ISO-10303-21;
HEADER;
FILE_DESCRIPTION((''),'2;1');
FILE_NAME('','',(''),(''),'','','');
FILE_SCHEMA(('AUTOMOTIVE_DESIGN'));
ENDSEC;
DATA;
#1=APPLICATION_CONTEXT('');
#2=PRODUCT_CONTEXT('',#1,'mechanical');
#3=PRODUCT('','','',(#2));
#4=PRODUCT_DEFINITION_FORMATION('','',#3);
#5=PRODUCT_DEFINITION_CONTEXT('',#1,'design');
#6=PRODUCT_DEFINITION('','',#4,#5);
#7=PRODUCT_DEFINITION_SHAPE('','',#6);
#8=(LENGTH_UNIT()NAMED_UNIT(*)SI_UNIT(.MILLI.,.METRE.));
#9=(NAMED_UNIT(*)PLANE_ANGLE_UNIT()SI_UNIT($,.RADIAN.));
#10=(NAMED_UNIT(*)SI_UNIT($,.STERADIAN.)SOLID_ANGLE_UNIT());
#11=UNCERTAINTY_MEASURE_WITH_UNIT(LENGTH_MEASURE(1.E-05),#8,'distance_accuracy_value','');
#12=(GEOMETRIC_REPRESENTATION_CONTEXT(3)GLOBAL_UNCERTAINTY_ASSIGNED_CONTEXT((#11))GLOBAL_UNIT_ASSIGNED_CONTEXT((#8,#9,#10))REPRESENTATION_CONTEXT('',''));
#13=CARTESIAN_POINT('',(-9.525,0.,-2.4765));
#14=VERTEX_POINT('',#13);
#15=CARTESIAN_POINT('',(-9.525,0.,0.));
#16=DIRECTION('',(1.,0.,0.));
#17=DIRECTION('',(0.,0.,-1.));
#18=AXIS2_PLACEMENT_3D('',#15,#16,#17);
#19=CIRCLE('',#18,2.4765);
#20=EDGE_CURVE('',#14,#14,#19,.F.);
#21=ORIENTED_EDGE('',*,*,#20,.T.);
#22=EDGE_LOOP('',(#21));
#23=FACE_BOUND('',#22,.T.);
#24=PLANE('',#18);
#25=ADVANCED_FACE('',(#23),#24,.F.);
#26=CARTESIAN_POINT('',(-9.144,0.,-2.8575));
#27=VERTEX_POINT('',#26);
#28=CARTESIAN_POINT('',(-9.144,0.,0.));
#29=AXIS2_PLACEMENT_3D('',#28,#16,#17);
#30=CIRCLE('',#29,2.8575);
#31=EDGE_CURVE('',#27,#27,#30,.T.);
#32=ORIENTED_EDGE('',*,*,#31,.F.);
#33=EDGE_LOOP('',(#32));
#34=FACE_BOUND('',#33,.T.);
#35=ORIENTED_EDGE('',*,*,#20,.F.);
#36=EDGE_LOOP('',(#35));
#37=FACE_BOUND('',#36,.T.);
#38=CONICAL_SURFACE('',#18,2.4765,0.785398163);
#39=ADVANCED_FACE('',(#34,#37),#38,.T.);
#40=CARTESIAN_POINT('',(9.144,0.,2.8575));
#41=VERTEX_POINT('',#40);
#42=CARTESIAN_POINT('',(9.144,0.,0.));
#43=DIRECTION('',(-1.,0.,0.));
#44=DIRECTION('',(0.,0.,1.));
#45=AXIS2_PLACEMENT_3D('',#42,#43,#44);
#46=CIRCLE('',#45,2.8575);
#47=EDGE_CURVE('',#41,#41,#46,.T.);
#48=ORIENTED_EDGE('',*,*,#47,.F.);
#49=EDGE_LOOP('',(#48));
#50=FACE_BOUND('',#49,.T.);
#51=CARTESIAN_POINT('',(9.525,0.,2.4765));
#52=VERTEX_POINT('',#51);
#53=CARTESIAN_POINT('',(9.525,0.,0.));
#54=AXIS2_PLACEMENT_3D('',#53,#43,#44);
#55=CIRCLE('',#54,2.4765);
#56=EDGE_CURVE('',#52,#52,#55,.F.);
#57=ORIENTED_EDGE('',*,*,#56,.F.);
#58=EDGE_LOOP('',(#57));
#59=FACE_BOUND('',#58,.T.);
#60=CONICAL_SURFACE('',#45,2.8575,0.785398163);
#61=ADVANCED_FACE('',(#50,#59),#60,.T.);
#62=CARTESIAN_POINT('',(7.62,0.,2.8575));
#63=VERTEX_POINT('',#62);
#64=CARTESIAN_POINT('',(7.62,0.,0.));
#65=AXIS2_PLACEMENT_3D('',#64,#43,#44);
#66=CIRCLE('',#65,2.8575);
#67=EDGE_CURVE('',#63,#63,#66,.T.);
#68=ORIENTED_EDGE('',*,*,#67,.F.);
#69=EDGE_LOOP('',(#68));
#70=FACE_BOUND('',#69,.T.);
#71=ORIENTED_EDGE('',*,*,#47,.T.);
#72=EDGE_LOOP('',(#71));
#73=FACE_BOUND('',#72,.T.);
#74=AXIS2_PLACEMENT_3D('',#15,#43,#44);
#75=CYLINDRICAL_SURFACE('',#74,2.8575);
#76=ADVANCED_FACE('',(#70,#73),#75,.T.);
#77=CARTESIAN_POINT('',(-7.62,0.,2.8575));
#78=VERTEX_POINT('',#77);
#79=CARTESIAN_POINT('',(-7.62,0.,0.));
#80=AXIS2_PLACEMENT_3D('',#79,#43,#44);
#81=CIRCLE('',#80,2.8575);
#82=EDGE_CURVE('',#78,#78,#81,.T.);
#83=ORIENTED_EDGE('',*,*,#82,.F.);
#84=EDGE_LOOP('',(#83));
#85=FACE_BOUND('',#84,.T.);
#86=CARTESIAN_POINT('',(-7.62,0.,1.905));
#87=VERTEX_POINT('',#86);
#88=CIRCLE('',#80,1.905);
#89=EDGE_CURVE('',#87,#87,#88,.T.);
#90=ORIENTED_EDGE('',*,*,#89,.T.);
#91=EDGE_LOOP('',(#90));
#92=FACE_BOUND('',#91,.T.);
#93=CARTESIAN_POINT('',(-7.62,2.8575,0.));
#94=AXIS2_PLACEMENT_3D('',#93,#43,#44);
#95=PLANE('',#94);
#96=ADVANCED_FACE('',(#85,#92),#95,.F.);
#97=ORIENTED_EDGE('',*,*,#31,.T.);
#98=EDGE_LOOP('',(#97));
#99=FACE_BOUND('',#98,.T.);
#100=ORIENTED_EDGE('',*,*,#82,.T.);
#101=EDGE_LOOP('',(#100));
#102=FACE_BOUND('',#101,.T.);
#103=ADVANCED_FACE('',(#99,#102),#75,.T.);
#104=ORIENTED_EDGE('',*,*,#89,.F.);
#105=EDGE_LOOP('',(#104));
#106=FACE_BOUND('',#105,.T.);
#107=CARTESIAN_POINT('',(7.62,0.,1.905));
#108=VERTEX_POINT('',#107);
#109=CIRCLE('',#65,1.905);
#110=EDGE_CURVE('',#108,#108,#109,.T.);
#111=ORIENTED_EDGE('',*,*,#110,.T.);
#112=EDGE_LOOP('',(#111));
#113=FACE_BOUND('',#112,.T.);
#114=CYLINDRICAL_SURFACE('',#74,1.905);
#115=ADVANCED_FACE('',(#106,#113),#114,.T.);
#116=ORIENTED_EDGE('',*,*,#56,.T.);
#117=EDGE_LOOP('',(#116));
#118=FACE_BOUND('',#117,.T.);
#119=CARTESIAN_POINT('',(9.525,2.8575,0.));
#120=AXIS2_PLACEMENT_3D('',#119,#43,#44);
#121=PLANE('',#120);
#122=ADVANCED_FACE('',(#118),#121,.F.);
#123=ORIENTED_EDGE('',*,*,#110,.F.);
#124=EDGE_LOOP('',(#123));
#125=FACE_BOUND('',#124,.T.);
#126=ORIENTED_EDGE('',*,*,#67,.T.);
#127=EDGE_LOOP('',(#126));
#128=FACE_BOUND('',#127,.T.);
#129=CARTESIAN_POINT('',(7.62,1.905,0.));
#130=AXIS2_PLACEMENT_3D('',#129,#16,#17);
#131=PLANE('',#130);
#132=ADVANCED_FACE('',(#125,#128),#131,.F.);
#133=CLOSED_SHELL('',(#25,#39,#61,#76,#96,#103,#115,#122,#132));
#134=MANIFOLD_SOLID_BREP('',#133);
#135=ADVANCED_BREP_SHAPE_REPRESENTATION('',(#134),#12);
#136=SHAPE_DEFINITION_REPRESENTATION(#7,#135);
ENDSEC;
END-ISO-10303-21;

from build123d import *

# Parameters (mm, degrees)
CHAMFER1_SIZE = 0.254
SCALE1_SCALE  = 1.5


with BuildPart() as part:
    # Sketch1 → Revolve1 (revolve)
    with BuildSketch(Plane.XY, mode=Mode.PRIVATE) as revolve1_sk:
        Polygon((-6.35, 0), (-6.35, 1.905), (-5.08, 1.905), (-5.08, 1.27), (5.08, 1.27), (5.08, 1.905), (6.35, 1.905), (6.35, 0), align=None)
    revolve(revolve1_sk.sketch.rotate(Axis((-6.35, 0, 0), (1, 0, 0)), 90), axis=Axis((-6.35, 0, 0), (1, 0, 0)))

    # Chamfer1
    chamfer1_edges = [part.edges().sort_by_distance(p)[0] for p in [
        (6.35, 0, -1.905),
        (-6.35, 0, -1.905),
    ]]
    chamfer(chamfer1_edges, length=CHAMFER1_SIZE)


with BuildPart() as part_1:
    # Scale1: scaled about (0, 0, 0)
    add(part.part.scale(SCALE1_SCALE))


solid = part_1.part
